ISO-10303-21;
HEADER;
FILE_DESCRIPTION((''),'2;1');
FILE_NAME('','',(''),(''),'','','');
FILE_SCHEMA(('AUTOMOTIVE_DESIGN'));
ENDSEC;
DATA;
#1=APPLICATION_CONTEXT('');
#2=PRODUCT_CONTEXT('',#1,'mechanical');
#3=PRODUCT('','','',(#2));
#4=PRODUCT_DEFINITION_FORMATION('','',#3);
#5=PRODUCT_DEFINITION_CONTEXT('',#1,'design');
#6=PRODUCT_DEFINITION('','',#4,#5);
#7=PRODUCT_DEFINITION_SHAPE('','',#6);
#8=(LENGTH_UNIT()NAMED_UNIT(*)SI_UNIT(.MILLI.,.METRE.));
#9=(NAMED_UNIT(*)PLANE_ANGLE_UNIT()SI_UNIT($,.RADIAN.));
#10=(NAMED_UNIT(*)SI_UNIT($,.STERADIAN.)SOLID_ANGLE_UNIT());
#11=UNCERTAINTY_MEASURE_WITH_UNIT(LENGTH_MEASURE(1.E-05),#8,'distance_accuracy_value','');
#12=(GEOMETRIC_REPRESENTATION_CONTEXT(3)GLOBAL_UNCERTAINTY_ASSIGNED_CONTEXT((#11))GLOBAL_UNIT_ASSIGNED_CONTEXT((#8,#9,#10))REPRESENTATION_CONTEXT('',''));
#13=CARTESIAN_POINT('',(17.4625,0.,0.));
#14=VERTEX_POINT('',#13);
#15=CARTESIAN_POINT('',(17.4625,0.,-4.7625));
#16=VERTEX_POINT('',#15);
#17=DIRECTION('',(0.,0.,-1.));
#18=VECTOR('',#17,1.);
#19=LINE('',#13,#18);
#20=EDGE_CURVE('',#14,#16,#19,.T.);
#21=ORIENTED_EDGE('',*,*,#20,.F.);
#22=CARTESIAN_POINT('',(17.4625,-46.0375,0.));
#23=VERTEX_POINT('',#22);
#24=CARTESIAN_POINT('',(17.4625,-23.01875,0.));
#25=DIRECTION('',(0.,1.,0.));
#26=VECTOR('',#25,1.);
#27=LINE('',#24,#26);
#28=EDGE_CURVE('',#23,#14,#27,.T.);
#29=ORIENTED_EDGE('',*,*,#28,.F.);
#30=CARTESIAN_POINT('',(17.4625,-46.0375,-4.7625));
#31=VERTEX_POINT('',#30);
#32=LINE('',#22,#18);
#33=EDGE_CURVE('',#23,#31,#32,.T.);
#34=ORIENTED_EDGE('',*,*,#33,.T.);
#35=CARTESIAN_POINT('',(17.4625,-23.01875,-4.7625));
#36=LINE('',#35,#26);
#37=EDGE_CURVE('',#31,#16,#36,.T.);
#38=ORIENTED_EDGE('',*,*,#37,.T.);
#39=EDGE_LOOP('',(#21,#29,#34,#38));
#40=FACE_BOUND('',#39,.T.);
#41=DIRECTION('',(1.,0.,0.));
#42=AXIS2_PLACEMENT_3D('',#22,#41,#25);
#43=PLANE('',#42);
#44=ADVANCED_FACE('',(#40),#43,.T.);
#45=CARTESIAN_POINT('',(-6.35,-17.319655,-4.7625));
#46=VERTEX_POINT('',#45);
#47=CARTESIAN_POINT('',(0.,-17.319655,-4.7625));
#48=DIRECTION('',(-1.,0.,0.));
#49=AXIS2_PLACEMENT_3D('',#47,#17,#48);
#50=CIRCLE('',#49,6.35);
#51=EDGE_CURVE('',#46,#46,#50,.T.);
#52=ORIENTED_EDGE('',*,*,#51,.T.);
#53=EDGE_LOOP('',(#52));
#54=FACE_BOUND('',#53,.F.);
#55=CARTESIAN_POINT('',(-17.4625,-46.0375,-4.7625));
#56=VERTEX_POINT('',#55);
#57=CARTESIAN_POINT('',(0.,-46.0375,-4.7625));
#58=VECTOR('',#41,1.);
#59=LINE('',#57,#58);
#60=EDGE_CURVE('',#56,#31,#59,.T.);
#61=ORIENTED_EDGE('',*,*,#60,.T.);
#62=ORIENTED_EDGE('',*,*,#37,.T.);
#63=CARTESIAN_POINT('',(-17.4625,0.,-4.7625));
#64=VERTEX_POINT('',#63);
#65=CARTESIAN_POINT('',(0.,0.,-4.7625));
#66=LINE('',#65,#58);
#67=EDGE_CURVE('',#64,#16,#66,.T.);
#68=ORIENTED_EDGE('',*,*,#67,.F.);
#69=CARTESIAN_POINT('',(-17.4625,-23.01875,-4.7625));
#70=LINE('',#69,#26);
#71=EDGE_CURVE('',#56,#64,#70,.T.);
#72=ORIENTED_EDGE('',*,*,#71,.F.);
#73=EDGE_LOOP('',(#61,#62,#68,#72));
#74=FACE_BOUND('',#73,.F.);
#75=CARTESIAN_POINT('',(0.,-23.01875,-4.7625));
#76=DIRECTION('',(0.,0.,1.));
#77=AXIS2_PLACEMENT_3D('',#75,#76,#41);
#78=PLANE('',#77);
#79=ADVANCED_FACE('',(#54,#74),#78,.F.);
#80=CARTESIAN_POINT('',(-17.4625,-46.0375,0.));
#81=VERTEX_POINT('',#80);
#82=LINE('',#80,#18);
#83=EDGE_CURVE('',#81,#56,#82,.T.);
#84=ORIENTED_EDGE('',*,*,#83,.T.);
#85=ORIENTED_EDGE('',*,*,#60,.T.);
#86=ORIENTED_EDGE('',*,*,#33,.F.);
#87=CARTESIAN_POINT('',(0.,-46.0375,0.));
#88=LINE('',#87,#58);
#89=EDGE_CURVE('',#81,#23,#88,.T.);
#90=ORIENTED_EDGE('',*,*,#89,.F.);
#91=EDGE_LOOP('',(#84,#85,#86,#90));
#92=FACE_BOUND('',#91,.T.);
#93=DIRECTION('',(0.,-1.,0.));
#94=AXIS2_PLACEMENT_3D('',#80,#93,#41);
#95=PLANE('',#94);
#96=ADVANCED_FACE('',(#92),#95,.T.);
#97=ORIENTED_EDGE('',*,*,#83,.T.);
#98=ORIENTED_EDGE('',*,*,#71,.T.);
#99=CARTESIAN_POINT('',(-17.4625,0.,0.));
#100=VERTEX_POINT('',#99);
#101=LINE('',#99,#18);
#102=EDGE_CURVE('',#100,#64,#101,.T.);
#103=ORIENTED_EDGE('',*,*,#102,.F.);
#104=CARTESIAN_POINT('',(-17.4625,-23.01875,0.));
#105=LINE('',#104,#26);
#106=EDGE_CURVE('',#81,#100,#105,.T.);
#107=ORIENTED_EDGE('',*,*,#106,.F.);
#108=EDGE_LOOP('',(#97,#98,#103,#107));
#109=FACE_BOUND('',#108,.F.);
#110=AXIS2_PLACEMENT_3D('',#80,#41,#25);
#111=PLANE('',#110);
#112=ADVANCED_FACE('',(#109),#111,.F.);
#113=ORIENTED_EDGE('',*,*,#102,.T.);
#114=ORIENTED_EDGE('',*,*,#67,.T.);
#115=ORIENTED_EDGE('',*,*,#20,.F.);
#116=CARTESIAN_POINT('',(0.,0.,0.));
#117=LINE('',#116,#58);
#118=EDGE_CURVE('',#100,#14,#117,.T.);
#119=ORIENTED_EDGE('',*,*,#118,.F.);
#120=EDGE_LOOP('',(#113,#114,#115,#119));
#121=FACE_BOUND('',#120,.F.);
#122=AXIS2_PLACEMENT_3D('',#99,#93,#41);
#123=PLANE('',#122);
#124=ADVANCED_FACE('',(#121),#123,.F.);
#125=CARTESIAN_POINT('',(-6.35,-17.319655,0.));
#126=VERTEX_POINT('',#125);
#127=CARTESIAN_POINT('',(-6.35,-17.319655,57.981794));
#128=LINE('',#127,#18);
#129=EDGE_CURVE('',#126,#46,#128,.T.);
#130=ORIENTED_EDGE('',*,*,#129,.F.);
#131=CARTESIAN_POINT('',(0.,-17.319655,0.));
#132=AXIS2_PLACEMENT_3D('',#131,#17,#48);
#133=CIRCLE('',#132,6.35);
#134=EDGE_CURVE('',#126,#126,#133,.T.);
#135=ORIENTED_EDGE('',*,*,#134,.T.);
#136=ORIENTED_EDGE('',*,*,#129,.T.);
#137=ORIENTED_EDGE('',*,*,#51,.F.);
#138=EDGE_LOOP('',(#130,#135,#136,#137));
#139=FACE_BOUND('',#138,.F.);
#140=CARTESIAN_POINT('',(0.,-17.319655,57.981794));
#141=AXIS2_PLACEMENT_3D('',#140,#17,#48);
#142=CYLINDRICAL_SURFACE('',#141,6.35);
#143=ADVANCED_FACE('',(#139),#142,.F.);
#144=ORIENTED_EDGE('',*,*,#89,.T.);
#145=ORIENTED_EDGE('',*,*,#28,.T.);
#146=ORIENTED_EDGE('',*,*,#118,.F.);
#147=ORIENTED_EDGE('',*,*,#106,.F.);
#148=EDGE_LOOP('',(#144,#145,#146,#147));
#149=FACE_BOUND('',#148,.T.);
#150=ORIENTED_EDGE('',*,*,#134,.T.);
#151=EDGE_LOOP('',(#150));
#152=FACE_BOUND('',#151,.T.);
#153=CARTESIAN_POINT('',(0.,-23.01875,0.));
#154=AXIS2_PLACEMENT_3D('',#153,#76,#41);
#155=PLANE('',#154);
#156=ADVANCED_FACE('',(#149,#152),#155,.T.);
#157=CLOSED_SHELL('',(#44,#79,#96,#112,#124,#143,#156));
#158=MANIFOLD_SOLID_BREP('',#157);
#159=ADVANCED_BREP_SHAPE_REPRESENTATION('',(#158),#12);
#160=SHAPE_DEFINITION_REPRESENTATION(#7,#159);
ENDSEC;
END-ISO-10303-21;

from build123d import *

# Parameters (mm, degrees)
F0_W     = 34.925
F0_H     = 46.0375
F1_DEPTH = 4.7625
F3_D     = 12.7


with BuildPart() as f1:
    # F0 (on Top) → F1 (new body)
    with BuildSketch(Plane.XY):
        with Locations((0, -23.01875)):
            Rectangle(F0_W, F0_H)
    extrude(amount=-F1_DEPTH)

    # F3 (through all)
    with Locations(Plane.XY):
        with Locations((0, -17.319655)):
            Hole(F3_D / 2)


solid = f1.part
